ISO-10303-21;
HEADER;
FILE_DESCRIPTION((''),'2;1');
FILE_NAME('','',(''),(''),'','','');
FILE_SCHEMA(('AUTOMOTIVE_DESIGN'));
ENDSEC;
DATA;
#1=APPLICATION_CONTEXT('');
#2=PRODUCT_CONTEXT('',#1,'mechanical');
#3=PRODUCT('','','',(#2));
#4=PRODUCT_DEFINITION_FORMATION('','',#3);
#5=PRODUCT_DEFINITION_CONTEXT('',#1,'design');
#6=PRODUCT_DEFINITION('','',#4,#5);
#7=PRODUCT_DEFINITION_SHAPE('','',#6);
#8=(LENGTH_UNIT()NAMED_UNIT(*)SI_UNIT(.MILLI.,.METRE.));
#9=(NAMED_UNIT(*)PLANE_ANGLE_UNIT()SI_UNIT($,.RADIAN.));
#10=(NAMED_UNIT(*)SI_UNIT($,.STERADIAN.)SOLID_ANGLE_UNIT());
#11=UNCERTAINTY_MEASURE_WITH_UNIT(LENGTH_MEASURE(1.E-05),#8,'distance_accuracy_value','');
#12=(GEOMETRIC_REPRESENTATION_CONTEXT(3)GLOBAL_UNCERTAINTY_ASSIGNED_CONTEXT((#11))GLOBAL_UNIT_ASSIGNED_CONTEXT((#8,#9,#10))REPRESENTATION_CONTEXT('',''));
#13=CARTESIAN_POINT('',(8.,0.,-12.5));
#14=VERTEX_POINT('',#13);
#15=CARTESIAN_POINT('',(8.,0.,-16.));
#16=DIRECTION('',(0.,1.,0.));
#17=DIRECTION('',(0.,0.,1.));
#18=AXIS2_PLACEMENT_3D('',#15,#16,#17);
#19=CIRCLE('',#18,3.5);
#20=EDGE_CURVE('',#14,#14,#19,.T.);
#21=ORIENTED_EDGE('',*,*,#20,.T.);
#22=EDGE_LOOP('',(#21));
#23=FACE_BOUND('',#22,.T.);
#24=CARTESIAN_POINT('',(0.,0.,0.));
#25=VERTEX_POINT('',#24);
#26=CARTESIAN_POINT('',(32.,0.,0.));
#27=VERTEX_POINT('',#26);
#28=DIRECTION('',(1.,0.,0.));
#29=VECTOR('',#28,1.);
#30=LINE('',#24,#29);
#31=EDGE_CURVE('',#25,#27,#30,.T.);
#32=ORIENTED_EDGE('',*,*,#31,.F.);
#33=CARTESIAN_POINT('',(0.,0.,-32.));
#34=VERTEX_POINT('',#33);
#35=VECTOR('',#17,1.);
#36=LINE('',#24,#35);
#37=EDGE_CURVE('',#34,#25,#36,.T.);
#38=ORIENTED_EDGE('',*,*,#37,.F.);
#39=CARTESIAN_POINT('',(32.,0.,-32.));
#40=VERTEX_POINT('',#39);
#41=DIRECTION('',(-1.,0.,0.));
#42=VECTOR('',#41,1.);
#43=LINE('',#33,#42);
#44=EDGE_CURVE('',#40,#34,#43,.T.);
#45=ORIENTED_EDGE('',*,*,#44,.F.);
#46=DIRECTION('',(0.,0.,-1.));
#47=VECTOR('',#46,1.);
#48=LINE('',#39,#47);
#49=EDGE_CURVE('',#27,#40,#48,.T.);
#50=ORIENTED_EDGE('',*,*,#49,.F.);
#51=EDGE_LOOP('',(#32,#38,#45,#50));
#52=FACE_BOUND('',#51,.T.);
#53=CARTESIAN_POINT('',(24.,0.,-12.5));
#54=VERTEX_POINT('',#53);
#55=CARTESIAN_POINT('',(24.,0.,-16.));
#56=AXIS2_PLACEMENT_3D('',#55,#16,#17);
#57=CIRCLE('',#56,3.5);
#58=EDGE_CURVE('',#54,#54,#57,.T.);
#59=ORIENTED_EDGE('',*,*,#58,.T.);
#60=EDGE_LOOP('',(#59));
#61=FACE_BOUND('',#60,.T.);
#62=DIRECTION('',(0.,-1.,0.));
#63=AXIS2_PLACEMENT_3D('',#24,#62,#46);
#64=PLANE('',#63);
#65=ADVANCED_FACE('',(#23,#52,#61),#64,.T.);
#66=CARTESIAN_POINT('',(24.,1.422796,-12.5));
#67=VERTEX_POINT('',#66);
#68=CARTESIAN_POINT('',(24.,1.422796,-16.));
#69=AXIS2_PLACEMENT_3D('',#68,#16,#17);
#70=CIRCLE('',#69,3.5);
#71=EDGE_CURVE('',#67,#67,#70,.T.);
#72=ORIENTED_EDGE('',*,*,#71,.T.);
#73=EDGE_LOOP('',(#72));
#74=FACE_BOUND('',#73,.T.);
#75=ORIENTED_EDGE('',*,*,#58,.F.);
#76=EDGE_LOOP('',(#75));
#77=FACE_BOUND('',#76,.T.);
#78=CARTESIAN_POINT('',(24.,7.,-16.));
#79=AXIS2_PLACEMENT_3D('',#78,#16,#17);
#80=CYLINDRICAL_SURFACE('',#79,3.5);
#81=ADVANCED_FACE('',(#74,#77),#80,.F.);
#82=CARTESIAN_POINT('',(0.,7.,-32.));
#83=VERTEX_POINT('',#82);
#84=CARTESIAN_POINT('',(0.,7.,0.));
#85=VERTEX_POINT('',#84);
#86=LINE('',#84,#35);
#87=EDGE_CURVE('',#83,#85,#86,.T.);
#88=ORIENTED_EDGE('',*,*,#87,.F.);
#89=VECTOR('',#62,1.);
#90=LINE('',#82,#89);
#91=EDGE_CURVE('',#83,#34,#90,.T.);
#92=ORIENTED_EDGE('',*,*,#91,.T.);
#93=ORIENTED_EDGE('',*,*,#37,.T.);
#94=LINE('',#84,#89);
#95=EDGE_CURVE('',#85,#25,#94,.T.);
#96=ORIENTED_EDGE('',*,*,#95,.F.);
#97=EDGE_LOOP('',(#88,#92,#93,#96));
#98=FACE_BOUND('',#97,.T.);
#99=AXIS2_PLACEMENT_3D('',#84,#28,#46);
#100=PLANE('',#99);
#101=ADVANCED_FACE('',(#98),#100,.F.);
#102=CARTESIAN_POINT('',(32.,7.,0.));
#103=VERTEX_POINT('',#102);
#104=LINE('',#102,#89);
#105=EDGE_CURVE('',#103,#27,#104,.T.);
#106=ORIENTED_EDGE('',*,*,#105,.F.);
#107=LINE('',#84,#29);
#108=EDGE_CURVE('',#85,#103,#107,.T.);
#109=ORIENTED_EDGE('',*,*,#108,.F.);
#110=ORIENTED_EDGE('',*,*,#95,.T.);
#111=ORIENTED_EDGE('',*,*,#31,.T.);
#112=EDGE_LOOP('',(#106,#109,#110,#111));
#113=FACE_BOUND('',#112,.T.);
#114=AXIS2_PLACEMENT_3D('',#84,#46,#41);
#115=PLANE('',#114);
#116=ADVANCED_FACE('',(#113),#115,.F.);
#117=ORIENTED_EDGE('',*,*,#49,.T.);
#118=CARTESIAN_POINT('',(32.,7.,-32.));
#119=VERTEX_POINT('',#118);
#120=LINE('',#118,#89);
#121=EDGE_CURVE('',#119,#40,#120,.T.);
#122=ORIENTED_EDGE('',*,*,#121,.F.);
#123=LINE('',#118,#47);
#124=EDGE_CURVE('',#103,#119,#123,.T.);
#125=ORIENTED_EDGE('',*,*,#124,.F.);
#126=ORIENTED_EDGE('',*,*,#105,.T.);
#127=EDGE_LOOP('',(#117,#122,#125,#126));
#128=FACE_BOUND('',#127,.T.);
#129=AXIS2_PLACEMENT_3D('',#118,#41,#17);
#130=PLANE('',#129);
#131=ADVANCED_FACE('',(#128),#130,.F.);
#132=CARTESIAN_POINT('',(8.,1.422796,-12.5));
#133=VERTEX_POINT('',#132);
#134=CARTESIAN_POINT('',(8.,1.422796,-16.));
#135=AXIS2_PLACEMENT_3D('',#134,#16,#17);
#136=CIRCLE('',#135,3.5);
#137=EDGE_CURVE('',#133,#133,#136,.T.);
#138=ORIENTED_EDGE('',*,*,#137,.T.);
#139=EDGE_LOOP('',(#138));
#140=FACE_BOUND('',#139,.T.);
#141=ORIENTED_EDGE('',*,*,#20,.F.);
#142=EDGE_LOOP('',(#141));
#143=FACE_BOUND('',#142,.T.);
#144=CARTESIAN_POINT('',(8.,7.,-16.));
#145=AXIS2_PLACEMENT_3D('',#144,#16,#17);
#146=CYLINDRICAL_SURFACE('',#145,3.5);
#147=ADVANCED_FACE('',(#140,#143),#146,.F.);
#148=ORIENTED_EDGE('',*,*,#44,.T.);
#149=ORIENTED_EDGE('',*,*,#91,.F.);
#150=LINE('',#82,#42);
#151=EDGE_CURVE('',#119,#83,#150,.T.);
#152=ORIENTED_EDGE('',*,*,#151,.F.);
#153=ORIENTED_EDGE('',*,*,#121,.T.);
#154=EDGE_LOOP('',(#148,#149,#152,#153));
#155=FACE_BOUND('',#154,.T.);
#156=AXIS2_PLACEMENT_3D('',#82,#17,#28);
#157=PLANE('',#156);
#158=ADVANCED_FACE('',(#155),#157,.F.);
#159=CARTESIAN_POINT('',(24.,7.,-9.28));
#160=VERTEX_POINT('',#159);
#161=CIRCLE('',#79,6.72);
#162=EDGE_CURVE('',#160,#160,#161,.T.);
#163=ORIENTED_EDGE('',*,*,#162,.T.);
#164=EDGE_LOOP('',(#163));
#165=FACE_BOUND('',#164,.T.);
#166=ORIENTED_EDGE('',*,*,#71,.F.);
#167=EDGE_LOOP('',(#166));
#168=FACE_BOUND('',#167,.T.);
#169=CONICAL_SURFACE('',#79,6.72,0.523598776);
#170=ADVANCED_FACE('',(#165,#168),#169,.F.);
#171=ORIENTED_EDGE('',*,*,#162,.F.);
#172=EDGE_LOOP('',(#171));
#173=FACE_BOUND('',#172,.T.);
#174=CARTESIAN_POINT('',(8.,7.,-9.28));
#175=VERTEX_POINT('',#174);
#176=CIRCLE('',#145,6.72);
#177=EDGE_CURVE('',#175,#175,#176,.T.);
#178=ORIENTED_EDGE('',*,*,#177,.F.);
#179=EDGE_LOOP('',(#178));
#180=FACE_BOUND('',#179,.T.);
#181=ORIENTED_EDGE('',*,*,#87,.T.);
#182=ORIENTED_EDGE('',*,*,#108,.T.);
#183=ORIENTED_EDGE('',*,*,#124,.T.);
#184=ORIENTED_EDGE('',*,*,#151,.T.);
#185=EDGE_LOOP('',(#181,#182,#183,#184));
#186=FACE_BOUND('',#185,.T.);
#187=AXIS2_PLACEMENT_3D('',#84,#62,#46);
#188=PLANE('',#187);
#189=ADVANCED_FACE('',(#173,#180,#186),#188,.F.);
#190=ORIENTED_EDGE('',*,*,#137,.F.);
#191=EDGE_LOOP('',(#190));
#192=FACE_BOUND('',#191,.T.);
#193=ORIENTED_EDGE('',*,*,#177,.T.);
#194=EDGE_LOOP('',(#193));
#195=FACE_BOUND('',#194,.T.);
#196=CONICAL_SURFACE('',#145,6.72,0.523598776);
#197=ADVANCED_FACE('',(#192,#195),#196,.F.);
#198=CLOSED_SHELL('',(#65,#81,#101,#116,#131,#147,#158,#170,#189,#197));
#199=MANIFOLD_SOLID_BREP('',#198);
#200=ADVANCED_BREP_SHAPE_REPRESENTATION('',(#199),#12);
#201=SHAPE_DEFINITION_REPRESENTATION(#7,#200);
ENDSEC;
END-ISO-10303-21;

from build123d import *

# Parameters (mm, degrees)
SKETCH1_W                    = 32
SKETCH1_H                    = 32
BOSS_EXTRUDE1_DEPTH          = 7
CSK_FOR_M6_SFHCS1_AT_2_COUNT = 2
CSK_FOR_M6_SFHCS1_AT_2_PITCH = 16


with BuildPart() as part:
    # Sketch1 → Boss-Extrude1 (new body)
    with BuildSketch(Plane(origin=(0, 0, 0), x_dir=(1, 0, 0), z_dir=(0, 1, 0))):
        with Locations((16, 16)):
            Rectangle(SKETCH1_W, SKETCH1_H)
    extrude(amount=BOSS_EXTRUDE1_DEPTH)

    # Sketch4 → CSK for M6 SFHCS1 (revolve, cut)
    with BuildSketch(Plane(origin=(8, 7, -16), x_dir=(0, 0, 1), z_dir=(1, 0, 0))):
        Polygon((0, 0), (0, 7), (3.5, 7), (3.5, 5.5772036), (6.72, 0), align=None)
    csk_for_m6_sfhcs1 = revolve(axis=Axis((8, 13.35, -16), (0, -1, 0)), mode=Mode.SUBTRACT)

    # CSK for M6 SFHCS1 at 2: CSK for M6 SFHCS1 ×2
    with Locations(*[(i * CSK_FOR_M6_SFHCS1_AT_2_PITCH, 0, 0) for i in range(1, CSK_FOR_M6_SFHCS1_AT_2_COUNT)]):
        add(csk_for_m6_sfhcs1, mode=Mode.SUBTRACT)


solid = part.part
